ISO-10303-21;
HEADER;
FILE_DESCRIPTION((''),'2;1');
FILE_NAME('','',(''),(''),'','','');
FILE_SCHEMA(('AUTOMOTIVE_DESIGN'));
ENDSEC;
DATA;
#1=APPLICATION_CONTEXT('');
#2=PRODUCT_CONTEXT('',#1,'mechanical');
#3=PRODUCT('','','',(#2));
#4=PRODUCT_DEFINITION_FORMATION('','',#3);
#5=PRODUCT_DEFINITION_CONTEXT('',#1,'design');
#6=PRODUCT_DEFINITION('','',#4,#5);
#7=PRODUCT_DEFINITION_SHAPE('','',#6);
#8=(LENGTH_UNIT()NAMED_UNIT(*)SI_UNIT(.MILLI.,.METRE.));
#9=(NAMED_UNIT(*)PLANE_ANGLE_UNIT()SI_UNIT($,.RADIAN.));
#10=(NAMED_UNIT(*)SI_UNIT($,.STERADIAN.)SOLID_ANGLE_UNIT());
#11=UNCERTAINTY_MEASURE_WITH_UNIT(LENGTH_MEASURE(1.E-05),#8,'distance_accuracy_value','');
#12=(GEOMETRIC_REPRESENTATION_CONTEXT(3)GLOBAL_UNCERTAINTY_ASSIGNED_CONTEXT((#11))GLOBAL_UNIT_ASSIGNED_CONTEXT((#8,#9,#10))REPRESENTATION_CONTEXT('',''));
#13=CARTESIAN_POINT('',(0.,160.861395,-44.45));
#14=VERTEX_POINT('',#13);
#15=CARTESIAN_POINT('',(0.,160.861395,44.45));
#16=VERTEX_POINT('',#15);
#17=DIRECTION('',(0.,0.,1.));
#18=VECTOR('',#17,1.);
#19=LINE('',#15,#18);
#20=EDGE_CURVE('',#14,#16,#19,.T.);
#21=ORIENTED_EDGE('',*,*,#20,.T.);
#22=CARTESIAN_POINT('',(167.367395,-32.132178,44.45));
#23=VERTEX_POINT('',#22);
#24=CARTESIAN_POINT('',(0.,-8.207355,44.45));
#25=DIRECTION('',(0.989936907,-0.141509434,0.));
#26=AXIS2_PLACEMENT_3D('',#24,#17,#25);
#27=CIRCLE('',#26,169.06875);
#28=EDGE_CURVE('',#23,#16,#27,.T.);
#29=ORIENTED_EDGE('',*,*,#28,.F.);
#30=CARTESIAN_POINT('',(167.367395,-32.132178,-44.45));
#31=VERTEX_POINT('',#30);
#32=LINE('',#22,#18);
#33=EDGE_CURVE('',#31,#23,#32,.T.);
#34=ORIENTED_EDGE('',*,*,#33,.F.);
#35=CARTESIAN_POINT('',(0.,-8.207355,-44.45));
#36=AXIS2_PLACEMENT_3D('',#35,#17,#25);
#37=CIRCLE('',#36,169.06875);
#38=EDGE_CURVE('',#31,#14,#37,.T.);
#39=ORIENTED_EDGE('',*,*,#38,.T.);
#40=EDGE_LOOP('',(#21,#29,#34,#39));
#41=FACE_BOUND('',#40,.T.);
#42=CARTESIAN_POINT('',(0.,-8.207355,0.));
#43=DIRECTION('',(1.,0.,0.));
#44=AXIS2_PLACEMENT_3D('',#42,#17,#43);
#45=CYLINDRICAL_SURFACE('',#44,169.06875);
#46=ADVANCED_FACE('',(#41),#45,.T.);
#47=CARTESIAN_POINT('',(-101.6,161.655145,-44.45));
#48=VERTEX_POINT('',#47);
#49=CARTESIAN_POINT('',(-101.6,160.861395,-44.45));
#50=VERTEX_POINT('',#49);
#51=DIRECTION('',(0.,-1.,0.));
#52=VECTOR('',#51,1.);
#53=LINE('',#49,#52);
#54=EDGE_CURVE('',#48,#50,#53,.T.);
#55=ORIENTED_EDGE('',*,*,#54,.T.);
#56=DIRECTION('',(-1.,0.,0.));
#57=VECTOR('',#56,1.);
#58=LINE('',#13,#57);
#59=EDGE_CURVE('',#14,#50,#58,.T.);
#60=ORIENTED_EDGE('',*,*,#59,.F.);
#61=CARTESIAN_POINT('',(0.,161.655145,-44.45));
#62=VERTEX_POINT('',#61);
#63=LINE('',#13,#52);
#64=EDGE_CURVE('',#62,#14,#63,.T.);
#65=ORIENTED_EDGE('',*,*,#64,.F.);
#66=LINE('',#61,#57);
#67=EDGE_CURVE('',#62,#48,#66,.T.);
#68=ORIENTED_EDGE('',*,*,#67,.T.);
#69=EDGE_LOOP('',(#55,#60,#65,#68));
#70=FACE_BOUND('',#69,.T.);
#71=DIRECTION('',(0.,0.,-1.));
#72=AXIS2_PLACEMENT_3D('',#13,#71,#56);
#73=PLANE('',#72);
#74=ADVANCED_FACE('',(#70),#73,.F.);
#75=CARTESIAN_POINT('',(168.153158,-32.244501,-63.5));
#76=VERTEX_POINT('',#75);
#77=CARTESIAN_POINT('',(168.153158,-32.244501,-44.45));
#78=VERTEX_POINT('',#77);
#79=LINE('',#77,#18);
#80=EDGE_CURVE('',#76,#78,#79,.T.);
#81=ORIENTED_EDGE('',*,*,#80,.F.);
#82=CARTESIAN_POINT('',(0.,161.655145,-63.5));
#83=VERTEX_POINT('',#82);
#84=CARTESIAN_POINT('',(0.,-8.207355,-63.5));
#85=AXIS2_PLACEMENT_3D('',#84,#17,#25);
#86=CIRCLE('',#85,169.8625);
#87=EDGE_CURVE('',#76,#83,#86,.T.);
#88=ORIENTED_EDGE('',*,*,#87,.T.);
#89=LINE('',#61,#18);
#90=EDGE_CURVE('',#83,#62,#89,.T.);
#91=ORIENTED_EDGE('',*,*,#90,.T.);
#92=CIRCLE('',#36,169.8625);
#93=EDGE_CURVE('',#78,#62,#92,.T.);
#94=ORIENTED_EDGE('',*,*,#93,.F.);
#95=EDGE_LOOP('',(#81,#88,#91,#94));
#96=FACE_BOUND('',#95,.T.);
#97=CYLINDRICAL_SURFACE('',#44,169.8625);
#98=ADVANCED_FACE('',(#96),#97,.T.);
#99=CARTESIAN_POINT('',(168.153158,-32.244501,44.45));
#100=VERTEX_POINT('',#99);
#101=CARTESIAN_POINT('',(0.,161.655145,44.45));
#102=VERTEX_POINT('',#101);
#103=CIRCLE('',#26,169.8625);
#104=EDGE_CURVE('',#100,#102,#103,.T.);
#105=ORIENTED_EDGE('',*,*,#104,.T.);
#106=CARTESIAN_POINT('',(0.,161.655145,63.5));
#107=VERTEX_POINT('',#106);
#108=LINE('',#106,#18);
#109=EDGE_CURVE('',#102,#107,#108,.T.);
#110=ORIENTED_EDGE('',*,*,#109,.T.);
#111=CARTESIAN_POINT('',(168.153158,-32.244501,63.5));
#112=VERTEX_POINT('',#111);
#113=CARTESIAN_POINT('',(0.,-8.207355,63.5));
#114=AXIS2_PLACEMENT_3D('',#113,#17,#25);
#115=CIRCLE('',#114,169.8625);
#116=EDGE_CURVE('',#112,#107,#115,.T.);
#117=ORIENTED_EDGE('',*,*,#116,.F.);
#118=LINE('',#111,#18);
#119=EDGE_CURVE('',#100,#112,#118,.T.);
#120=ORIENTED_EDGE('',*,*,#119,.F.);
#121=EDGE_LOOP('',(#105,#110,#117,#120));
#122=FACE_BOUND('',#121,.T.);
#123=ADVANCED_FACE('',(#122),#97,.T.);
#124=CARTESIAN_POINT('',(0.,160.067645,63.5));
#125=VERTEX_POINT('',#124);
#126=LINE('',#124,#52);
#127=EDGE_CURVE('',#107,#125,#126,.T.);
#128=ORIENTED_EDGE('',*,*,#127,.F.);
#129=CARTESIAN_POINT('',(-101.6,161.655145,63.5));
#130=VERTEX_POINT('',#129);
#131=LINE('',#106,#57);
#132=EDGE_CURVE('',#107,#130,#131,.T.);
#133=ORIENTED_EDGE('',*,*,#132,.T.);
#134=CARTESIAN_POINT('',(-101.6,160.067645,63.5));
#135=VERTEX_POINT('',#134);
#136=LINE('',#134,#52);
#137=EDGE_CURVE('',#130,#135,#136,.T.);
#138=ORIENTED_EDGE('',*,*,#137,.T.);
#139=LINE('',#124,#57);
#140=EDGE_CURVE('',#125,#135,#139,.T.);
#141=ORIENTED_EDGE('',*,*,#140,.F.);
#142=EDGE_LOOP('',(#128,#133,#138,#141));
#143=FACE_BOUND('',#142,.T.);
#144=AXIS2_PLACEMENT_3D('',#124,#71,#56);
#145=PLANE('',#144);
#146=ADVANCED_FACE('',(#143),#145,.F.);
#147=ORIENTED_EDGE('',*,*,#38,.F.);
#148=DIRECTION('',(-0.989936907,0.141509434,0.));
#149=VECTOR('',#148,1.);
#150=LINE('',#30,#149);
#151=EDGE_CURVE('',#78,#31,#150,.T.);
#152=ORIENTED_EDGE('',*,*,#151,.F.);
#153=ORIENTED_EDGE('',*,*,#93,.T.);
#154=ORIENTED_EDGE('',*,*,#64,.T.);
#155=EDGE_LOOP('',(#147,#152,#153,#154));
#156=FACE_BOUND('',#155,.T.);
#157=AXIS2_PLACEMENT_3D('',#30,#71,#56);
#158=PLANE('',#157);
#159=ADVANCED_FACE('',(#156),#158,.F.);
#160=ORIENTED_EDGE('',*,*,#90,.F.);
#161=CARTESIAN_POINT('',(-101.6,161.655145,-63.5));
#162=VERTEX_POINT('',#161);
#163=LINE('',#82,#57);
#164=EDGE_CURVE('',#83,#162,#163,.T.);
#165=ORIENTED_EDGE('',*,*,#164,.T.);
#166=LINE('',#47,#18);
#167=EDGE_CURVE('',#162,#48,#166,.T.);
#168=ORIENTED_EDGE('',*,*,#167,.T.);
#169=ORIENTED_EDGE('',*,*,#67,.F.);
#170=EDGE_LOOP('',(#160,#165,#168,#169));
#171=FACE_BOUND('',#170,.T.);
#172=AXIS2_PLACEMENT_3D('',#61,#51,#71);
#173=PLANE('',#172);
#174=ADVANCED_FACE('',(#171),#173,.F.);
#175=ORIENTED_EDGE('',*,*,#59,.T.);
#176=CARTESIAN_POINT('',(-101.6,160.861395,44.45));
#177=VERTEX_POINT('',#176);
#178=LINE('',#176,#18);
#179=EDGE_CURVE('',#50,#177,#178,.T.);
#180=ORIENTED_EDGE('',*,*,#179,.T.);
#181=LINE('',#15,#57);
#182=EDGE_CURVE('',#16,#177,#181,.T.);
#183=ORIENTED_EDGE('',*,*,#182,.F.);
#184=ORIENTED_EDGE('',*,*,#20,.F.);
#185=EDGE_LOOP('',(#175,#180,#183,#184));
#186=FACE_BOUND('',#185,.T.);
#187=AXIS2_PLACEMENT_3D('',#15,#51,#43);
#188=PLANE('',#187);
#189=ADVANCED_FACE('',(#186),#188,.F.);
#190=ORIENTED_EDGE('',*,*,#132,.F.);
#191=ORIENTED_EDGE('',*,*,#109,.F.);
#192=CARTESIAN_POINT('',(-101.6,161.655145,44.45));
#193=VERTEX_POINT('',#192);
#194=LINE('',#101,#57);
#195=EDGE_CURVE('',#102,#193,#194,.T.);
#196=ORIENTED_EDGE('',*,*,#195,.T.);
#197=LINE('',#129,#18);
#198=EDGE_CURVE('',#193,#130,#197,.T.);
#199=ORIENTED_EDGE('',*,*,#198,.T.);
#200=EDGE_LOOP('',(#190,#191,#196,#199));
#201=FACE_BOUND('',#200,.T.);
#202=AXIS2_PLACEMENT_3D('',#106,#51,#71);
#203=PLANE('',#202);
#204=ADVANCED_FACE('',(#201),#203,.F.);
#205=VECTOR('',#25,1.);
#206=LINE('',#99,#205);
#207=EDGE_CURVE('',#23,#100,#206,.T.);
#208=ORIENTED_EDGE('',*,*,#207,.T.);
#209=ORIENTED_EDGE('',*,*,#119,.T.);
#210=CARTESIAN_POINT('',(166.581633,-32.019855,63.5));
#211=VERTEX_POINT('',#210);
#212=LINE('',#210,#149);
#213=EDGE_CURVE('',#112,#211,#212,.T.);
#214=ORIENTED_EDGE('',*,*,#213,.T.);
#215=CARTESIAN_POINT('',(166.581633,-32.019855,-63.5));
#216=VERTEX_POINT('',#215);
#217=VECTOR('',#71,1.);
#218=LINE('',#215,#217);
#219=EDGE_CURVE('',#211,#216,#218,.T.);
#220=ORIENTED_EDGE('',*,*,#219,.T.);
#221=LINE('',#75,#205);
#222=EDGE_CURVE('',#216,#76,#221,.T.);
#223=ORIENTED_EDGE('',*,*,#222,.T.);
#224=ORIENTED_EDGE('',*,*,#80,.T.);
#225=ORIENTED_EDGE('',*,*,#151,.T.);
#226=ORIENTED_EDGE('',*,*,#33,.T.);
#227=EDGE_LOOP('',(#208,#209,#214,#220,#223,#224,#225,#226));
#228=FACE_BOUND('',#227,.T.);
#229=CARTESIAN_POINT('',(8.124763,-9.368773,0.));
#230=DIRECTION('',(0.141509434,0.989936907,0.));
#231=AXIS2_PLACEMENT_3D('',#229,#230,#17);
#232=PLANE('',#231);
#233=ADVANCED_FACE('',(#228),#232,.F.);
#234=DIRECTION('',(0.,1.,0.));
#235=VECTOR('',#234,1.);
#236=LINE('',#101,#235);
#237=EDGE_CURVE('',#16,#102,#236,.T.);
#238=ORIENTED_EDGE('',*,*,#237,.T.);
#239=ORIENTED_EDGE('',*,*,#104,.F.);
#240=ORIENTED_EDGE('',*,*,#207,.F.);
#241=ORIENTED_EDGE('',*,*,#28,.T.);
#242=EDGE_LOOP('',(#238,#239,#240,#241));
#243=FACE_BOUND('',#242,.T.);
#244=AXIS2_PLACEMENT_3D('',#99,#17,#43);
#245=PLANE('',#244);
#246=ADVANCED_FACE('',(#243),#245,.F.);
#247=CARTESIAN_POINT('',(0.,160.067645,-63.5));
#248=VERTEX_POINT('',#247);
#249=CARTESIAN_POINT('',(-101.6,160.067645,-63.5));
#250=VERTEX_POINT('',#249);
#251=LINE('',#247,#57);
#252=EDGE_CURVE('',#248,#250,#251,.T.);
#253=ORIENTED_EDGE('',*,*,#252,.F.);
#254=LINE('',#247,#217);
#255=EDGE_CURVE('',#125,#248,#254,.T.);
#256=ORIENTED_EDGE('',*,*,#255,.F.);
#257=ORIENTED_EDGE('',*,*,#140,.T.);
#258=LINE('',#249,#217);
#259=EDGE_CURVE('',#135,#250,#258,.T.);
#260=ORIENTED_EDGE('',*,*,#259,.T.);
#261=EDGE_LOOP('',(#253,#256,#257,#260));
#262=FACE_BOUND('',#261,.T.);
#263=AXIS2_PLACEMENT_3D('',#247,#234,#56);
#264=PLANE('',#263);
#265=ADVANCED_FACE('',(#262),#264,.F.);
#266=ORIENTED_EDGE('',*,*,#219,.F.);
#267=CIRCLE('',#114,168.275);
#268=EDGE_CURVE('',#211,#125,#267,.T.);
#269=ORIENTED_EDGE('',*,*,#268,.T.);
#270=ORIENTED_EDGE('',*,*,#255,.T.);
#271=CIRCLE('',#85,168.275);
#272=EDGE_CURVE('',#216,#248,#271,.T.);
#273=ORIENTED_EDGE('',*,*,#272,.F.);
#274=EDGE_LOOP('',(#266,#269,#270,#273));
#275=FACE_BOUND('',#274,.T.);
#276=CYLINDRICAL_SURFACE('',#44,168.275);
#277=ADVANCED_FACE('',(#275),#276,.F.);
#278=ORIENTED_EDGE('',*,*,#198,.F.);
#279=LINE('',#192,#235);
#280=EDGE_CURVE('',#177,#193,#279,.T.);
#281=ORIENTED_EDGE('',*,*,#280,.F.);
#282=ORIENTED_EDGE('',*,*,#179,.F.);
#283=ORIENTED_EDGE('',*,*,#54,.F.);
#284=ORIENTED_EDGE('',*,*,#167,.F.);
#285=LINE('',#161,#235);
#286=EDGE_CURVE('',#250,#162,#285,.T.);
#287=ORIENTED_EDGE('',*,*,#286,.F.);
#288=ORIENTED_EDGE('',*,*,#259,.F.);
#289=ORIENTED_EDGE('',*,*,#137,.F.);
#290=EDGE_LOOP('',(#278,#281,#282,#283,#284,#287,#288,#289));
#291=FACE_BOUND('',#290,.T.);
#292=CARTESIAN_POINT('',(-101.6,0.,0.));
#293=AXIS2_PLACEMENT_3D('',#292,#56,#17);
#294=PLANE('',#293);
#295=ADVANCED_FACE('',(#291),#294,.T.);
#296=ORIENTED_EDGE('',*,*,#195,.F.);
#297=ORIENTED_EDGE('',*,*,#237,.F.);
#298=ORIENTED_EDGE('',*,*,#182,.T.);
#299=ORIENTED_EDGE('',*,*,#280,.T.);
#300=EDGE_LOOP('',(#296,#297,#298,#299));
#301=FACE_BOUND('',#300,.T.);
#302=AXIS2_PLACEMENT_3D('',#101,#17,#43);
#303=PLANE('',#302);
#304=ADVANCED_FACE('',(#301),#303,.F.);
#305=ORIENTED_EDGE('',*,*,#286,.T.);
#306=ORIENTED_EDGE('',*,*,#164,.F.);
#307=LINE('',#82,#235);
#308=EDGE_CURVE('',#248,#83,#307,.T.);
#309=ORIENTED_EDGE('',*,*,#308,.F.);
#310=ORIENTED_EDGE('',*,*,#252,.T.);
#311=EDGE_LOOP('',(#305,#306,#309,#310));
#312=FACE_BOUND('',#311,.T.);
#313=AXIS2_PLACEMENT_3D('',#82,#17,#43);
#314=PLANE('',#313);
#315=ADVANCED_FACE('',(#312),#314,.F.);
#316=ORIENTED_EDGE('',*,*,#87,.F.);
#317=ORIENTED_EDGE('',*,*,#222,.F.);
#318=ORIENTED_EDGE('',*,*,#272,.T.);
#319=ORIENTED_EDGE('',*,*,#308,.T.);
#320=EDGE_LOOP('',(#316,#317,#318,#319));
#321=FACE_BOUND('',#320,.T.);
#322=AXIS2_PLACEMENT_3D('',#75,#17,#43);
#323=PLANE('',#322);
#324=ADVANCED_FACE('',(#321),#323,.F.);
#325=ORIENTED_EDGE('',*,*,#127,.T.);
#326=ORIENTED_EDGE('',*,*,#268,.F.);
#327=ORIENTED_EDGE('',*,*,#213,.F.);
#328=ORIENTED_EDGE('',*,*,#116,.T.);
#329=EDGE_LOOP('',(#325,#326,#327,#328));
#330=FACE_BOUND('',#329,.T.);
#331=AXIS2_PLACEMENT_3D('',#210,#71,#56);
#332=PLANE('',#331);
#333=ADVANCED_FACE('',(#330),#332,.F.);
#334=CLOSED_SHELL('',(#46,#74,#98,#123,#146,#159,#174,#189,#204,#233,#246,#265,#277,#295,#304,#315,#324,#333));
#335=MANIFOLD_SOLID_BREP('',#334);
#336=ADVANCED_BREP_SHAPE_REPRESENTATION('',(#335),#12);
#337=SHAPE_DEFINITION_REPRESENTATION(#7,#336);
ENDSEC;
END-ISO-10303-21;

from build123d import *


with BuildPart() as part:
    # Sweep1: sweep along a path in Sketch2
    with BuildLine(Plane.XY) as sweep1_path:
        Line((-101.6, 160.067645398), (0, 160.067645398))
        ThreePointArc((0, 160.067645398), (127.128918942, 102.041063045), (166.581633047, -32.019854602))
    # Sketch3 → Sweep1 (sweep)
    with BuildSketch(Plane(origin=(-101.6, 0, 0), x_dir=(0, 0, -1), z_dir=(1, 0, 0))):
        Polygon((63.5, 160.067645398), (-63.5, 160.067645398), (-63.5, 161.655145398), (-44.45, 161.655145398), (-44.45, 160.861395398), (44.45, 160.861395398), (44.45, 161.655145398), (63.5, 161.655145398), align=None)
    sweep(path=sweep1_path.line)


solid = part.part
